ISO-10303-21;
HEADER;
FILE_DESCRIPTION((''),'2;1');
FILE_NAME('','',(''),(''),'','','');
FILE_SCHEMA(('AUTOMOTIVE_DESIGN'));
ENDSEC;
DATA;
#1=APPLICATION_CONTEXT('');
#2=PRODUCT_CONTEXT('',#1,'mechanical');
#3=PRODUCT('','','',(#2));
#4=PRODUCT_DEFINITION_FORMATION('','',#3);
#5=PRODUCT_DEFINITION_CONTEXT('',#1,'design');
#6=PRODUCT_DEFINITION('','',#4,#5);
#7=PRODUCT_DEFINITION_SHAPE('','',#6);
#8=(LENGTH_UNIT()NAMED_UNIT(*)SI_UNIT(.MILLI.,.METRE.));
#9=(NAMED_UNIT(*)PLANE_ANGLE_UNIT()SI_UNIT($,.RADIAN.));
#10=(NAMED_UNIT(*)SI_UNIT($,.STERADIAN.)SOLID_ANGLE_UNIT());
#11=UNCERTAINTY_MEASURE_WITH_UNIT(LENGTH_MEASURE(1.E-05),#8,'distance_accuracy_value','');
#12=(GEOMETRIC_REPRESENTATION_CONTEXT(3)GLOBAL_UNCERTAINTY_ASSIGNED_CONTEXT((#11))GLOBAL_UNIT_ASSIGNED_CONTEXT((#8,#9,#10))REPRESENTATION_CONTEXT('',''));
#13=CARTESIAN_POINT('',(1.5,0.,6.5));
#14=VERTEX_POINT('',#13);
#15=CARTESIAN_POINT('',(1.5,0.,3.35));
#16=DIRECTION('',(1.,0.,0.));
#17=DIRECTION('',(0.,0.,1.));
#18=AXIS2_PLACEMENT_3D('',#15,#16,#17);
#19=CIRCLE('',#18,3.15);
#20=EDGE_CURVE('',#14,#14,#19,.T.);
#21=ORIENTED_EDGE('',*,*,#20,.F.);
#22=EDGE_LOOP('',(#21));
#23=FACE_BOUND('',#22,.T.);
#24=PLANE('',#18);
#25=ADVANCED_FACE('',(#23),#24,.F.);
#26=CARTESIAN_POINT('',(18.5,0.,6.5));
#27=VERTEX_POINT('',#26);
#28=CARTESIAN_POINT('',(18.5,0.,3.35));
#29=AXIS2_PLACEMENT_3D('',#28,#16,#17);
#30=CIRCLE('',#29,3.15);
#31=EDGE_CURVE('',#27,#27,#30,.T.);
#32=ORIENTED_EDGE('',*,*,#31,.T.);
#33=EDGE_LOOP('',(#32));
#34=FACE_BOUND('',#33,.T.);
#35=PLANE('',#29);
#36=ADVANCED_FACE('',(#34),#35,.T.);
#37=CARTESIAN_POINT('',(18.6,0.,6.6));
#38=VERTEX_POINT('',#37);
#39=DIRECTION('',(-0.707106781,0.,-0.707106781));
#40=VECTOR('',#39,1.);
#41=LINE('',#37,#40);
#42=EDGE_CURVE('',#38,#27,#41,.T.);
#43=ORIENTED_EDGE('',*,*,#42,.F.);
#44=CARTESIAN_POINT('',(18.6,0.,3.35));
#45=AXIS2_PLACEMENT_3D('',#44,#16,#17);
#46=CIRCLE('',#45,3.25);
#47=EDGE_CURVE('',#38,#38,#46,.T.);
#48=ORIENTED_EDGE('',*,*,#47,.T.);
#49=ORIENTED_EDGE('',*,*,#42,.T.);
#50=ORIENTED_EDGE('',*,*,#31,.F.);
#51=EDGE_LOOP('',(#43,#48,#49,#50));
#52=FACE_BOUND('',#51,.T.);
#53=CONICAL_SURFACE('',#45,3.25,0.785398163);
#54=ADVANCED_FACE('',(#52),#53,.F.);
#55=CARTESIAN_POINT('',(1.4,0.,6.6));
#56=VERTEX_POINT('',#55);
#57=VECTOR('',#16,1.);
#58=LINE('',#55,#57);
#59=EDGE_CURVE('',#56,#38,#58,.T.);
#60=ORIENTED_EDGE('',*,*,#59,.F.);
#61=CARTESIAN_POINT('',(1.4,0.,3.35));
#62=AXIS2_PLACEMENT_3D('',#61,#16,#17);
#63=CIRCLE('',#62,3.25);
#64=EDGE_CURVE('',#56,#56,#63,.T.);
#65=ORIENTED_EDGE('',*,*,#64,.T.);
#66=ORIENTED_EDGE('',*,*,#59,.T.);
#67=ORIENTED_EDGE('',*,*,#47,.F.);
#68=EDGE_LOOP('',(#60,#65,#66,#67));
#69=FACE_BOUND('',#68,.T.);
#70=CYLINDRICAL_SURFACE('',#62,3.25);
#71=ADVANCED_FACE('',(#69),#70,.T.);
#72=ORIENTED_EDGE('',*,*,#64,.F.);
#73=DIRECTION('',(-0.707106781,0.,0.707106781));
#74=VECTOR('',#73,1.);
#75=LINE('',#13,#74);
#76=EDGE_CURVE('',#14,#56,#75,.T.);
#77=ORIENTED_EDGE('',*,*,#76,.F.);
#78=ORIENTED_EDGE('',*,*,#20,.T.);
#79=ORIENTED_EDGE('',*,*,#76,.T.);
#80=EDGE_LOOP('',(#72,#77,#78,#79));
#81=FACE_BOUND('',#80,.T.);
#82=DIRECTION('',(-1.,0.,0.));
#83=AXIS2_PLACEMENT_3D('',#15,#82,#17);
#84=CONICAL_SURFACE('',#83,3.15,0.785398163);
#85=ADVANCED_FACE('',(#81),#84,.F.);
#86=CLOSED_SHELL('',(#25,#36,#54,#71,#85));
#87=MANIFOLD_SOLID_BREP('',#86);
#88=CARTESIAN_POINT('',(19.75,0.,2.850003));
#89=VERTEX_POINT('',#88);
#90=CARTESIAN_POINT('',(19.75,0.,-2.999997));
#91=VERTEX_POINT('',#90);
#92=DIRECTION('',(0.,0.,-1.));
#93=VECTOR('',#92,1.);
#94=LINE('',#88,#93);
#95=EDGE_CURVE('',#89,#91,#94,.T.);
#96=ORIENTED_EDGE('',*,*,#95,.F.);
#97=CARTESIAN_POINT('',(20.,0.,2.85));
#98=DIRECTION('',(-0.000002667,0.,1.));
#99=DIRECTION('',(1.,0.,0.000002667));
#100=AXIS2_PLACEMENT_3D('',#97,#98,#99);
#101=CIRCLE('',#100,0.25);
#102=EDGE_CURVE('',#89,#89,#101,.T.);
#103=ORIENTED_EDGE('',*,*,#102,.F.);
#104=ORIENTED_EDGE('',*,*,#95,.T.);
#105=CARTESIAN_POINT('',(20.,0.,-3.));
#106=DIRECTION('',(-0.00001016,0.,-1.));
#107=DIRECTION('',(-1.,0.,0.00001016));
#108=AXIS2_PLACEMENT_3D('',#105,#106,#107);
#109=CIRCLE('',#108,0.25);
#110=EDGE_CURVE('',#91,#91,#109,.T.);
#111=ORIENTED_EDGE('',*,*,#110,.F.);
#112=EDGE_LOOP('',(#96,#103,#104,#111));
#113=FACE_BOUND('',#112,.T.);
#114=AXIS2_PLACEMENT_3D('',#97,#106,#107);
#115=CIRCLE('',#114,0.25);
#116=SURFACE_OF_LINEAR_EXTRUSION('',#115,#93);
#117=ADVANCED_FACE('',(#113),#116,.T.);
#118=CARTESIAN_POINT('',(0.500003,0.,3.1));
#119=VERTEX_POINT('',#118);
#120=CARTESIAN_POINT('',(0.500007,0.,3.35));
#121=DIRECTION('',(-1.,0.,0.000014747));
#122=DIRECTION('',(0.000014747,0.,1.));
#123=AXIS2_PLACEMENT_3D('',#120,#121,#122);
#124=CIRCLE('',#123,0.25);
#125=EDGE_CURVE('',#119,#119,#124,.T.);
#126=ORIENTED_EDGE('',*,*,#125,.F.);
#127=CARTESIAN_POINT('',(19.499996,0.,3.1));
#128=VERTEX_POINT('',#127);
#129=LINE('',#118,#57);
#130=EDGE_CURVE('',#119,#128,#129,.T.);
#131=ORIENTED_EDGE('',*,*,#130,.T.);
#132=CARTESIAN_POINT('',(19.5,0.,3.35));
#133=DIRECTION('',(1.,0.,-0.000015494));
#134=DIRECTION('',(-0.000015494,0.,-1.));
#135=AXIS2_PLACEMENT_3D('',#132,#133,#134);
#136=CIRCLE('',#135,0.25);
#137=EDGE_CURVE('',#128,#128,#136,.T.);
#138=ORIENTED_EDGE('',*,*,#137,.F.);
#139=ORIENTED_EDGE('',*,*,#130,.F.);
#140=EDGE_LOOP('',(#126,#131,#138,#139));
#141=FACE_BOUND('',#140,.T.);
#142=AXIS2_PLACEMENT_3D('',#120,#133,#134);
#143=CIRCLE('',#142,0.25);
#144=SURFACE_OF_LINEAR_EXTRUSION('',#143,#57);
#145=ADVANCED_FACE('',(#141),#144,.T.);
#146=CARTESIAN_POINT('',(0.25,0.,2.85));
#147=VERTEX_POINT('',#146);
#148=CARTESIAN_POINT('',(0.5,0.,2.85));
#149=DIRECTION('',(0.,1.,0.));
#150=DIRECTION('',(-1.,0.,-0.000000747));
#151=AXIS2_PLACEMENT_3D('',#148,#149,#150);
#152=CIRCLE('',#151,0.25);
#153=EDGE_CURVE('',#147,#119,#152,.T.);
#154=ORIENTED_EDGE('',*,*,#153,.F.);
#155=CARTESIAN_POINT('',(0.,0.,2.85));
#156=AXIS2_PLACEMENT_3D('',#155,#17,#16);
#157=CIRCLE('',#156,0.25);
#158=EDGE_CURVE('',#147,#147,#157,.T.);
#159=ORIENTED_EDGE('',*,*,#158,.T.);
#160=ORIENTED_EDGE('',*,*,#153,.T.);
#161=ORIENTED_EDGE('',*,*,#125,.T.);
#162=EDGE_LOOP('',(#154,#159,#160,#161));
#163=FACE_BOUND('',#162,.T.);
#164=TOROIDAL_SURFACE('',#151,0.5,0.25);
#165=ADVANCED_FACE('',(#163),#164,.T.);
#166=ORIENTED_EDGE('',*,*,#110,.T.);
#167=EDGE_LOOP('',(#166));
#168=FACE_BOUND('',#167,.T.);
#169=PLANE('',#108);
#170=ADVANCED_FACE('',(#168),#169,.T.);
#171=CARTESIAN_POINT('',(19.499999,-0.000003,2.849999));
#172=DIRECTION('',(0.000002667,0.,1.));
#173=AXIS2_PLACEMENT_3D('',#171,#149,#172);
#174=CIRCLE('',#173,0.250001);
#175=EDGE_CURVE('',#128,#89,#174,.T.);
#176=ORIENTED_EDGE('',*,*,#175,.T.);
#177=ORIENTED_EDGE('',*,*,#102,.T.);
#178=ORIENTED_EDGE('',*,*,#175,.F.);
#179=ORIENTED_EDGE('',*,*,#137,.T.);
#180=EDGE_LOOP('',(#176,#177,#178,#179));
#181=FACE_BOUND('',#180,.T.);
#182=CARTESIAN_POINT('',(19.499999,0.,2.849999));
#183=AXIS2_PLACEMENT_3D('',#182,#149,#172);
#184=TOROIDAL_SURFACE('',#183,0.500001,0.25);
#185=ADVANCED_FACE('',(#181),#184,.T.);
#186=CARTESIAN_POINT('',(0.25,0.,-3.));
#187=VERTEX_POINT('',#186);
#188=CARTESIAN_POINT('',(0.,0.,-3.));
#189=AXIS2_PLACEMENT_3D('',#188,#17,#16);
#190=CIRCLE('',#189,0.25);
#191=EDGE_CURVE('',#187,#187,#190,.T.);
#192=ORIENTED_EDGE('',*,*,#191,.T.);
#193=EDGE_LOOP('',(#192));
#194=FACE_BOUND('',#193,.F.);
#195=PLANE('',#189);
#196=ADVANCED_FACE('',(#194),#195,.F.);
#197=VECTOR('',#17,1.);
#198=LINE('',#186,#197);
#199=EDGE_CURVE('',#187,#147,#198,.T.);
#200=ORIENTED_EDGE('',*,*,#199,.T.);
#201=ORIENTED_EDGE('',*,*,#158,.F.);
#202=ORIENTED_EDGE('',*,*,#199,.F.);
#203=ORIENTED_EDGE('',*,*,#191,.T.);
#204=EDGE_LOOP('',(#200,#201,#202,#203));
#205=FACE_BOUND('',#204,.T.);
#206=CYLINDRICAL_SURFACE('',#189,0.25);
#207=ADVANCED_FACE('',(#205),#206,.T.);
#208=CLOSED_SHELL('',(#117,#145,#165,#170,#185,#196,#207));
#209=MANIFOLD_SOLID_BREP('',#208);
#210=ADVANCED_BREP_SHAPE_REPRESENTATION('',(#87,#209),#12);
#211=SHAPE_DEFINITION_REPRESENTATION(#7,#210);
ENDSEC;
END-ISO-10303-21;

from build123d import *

# Parameters (mm, degrees)
SKETCH_R = 0.25


with BuildPart() as sweep_body:
    # Sweep: sweep along a path in Sketch001
    with BuildLine(Plane.XZ) as sweep_path:
        Line((0, -3), (0, 2.85))
        ThreePointArc((0, 2.85), (0.146449, 3.203556), (0.500007, 3.35))
        Line((0.500007, 3.35), (19.5, 3.35))
        ThreePointArc((19.5, 3.35), (19.853553, 3.203553), (20, 2.85))
        Line((20, 2.85), (20, -3))
    # Sketch → Sweep (sweep)
    with BuildSketch(Plane.XY.offset(-2)):
        Circle(SKETCH_R)
    sweep(path=sweep_path.line)


with BuildPart() as revolution:
    # Sketch002 → Revolution (revolve)
    with BuildSketch(Plane.XZ):
        Polygon((1.4, 6.6), (18.6, 6.6), (18.5, 6.5), (18.5, 3.35), (1.5, 3.35), (1.5, 6.5), align=None)
    revolve(axis=Axis((7.611803, 0, 3.35), (1, 0, 0)))


solid = Compound([sweep_body.part, revolution.part])
